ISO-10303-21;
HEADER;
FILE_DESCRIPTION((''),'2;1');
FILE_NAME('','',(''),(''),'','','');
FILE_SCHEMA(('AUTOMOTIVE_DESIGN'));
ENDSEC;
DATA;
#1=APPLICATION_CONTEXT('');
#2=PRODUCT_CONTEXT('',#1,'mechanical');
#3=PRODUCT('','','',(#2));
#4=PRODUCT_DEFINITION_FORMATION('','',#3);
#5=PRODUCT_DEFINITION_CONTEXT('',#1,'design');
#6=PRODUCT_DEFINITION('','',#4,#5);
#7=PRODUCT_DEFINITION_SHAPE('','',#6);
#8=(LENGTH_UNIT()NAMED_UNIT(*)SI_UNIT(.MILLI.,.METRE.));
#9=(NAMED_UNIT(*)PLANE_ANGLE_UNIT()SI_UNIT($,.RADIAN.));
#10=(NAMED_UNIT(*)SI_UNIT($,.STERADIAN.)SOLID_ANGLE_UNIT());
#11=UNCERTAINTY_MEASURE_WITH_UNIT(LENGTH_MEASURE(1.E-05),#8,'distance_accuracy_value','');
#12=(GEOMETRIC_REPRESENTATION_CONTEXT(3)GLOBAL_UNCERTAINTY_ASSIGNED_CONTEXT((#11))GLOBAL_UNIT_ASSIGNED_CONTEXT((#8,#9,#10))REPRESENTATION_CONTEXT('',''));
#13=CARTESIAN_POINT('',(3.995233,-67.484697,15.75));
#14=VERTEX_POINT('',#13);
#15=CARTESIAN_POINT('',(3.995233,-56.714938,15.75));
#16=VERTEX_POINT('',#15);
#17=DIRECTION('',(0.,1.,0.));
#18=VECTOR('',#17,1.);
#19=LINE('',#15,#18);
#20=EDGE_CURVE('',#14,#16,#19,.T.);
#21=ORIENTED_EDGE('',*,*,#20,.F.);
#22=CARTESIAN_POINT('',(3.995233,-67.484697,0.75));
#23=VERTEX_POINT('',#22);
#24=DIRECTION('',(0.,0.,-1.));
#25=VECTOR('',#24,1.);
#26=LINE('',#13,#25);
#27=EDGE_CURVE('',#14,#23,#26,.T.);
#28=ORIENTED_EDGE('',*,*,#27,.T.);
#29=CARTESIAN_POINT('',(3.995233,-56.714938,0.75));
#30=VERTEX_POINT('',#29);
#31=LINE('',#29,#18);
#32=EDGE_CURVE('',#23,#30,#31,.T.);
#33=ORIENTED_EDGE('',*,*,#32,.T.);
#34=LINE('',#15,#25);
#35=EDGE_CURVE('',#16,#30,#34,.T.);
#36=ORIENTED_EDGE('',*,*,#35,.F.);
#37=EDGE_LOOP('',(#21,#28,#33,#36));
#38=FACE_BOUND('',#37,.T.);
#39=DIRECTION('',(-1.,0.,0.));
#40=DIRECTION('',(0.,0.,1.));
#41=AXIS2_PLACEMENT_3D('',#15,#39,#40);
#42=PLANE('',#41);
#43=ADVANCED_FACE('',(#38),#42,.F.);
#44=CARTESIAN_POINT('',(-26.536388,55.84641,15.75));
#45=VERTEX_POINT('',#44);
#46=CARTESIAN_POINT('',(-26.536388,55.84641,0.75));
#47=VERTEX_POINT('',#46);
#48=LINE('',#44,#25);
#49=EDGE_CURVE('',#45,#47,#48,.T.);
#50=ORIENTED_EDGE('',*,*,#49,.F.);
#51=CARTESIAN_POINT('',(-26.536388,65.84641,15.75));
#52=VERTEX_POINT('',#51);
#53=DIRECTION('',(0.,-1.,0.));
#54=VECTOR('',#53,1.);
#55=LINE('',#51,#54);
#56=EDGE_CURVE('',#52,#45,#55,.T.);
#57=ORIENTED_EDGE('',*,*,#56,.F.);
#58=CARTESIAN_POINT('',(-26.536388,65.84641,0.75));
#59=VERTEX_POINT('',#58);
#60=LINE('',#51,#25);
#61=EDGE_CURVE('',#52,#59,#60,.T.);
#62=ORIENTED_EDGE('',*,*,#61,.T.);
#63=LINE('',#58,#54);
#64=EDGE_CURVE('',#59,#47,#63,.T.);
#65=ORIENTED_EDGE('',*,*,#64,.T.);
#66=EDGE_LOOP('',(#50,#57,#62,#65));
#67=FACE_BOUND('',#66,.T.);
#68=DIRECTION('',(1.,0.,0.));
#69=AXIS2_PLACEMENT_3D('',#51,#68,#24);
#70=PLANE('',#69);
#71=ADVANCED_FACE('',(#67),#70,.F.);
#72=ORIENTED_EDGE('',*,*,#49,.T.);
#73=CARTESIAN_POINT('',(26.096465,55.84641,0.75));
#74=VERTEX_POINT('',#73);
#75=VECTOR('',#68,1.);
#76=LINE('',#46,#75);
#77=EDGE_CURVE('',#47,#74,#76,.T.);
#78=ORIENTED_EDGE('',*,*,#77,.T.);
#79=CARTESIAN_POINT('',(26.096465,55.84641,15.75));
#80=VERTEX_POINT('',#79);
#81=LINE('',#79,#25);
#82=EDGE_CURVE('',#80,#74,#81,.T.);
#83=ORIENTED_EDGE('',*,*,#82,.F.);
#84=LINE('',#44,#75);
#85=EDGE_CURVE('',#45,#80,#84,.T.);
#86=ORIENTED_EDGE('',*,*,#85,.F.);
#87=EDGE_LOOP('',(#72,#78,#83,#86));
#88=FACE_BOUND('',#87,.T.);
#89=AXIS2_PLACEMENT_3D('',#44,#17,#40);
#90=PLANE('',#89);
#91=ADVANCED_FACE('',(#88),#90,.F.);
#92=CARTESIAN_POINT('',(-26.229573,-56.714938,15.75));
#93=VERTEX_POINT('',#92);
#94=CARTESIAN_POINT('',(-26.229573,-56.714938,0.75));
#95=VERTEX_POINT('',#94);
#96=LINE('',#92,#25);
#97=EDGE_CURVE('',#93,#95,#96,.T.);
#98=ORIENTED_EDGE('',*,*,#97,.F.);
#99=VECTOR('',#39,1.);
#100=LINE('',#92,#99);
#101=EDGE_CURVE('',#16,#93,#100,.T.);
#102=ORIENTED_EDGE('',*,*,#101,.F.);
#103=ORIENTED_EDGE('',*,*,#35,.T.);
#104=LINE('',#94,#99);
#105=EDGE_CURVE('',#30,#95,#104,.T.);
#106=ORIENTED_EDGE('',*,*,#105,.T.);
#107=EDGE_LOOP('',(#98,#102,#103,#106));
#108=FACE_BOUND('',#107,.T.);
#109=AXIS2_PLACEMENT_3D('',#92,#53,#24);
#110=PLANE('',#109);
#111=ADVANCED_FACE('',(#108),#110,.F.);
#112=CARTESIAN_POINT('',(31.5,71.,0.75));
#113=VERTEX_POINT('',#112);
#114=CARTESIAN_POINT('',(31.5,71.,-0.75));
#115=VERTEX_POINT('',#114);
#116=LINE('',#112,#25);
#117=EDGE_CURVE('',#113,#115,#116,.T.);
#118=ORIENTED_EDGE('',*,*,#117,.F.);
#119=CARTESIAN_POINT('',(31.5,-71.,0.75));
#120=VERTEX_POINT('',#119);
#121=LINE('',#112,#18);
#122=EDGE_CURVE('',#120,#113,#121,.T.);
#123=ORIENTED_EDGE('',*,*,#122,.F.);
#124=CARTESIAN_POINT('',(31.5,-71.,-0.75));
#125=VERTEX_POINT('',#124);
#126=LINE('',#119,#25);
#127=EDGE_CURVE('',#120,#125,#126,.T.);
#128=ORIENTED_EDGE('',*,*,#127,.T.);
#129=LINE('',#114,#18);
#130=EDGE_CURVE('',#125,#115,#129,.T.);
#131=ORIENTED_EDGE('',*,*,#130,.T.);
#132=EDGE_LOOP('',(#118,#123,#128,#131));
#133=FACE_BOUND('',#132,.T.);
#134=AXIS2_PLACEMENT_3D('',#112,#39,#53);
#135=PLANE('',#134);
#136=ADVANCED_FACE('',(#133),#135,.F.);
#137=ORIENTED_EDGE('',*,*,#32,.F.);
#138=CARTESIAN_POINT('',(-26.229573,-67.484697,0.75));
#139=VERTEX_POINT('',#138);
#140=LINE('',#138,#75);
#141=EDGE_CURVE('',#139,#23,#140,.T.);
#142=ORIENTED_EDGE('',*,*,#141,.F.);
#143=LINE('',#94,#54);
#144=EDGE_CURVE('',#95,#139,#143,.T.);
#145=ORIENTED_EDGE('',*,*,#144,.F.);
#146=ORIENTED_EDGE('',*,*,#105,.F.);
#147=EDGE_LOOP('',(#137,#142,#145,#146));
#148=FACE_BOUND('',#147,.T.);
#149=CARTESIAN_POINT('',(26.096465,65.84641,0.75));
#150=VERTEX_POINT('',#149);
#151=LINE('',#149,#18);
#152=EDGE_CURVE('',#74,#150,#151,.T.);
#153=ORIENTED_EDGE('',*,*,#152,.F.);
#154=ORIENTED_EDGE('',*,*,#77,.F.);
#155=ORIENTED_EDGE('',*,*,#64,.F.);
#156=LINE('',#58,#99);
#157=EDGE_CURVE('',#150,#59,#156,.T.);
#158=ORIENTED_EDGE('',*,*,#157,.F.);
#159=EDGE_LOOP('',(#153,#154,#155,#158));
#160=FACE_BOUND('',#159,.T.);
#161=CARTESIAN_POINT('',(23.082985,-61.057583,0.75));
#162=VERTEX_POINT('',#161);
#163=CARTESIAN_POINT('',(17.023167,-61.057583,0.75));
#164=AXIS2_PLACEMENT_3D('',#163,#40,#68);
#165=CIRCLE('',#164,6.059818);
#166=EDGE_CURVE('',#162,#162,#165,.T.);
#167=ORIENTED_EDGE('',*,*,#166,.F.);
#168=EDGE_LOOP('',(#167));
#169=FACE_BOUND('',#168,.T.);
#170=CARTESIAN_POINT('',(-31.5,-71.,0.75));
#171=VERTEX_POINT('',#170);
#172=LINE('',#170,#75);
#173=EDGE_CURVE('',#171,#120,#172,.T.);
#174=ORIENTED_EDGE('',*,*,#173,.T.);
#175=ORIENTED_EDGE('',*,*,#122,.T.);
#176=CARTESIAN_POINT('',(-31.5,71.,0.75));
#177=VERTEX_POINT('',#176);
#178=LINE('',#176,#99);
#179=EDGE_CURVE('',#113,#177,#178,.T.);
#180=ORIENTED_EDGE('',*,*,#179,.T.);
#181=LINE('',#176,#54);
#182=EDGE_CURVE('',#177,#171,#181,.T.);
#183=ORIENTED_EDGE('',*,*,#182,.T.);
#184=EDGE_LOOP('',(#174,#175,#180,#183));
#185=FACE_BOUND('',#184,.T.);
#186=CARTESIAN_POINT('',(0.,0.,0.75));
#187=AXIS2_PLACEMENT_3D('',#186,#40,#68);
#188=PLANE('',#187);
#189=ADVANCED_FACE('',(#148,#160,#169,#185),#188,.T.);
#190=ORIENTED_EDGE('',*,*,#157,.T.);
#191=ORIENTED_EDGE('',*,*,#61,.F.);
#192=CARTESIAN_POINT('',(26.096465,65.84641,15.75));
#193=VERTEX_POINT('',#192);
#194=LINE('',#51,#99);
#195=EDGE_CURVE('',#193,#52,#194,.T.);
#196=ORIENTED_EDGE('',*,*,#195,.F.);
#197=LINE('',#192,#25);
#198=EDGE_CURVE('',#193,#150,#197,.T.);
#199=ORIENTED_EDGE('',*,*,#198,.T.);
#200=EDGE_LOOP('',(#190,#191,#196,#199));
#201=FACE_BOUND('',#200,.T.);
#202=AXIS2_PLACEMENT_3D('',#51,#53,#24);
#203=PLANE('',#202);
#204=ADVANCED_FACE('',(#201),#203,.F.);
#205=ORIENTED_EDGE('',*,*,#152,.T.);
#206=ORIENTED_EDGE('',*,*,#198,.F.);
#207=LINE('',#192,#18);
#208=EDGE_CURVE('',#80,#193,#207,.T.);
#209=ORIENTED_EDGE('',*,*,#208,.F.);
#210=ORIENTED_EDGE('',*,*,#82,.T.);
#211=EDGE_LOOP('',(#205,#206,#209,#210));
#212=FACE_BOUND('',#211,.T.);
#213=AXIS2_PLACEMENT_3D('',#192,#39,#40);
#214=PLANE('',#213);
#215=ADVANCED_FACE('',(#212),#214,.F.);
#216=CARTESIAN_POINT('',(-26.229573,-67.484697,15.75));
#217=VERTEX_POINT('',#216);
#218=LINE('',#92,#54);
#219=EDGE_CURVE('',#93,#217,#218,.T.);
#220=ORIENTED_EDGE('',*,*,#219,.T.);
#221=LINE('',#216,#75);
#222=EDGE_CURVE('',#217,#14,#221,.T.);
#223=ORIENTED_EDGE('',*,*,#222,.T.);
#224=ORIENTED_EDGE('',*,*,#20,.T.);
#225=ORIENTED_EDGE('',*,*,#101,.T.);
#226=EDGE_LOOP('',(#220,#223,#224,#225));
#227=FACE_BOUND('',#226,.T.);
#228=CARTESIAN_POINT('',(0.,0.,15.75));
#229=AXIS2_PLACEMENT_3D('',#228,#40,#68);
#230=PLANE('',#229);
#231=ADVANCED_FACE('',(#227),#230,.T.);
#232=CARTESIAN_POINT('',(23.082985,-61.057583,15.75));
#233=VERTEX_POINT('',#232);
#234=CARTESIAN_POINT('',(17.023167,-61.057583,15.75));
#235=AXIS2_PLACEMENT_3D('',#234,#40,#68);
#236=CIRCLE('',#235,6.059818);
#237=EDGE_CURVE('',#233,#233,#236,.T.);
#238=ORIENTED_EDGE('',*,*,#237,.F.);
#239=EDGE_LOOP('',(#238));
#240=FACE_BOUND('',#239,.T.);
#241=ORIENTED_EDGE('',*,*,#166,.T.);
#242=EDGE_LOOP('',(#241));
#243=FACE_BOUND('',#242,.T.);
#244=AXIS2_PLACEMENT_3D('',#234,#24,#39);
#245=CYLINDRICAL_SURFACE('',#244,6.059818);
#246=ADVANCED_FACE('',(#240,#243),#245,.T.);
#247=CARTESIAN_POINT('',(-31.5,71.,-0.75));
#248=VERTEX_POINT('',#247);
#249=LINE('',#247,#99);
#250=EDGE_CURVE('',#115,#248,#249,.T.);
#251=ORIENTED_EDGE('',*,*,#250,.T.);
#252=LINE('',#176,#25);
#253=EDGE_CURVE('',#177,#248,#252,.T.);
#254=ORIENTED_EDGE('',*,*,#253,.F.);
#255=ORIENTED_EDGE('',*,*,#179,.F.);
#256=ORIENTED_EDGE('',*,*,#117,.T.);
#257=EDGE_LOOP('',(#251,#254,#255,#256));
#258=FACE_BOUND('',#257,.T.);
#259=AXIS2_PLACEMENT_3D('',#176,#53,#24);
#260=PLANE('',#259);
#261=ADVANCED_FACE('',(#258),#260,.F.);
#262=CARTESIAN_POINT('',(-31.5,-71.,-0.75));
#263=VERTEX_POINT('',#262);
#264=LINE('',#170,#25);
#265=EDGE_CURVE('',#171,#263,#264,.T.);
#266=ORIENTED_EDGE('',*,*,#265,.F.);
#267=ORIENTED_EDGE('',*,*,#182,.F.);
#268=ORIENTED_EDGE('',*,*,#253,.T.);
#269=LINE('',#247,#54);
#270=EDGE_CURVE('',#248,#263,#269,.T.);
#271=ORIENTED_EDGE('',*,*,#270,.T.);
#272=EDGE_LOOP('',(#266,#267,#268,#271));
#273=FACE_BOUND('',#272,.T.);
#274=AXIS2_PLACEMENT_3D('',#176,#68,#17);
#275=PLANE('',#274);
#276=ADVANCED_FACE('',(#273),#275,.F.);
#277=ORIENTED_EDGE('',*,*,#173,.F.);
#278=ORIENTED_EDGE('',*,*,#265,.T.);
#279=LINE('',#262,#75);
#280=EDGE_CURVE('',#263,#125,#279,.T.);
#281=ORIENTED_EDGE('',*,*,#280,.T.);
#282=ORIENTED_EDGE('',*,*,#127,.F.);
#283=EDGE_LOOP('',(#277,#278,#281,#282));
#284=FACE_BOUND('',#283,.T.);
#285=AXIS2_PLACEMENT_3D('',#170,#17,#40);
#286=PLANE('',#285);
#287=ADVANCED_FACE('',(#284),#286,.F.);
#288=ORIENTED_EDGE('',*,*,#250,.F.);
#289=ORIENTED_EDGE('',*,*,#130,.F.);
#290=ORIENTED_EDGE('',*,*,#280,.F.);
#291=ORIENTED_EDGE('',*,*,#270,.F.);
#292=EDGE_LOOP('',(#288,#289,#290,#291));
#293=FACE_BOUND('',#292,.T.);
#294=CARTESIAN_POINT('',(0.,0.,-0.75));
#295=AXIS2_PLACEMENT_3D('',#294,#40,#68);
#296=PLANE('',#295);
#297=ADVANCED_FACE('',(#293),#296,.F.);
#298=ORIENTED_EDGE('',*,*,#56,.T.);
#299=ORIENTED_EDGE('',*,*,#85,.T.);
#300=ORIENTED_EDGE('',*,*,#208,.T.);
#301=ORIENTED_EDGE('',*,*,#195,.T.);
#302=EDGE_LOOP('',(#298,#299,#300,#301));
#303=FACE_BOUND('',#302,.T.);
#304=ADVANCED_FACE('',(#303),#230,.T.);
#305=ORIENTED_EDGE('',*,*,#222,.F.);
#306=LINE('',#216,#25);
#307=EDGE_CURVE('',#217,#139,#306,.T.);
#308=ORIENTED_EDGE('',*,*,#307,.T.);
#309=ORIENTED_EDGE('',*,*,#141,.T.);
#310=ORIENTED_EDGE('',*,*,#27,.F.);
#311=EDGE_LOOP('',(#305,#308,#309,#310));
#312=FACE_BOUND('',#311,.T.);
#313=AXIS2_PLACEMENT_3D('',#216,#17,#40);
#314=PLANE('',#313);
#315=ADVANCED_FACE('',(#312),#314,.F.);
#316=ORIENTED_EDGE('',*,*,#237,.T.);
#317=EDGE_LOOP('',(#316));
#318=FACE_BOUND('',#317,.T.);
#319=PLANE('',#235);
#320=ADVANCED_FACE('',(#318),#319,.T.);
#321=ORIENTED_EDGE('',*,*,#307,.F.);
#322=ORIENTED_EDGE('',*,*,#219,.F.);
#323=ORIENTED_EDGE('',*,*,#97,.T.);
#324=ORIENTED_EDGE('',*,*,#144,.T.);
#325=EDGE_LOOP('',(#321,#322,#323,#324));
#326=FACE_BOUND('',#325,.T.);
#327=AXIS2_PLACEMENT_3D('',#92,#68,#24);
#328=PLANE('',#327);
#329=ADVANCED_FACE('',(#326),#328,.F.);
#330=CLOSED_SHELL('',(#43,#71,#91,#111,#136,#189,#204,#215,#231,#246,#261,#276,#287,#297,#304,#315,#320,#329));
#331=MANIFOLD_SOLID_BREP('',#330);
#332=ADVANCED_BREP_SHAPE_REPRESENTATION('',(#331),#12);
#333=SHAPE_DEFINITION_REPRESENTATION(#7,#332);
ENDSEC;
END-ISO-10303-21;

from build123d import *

# Parameters (mm, degrees)
SKETCH1_W           = 63
SKETCH1_H           = 142
BOSS_EXTRUDE1_DEPTH = 0.75
SKETCH2_W           = 52.632852527
SKETCH2_H           = 10
BOSS_EXTRUDE2_DEPTH = 15
SKETCH3_R           = 6.05981783
SKETCH3_W           = 30.224806401
SKETCH3_H           = 10.769758603
BOSS_EXTRUDE3_DEPTH = 15


with BuildPart() as part:
    # Sketch1 → Boss-Extrude1 (new, symmetric)
    with BuildSketch(Plane.XY):
        Rectangle(SKETCH1_W, SKETCH1_H)
    extrude(amount=BOSS_EXTRUDE1_DEPTH, both=True)

    # Sketch2 → Boss-Extrude2 (add)
    with BuildSketch(Plane.XY.offset(0.75)):
        with Locations((-0.219961356, 60.846409529)):
            Rectangle(SKETCH2_W, SKETCH2_H)
    extrude(amount=BOSS_EXTRUDE2_DEPTH)

    # Sketch3 → Boss-Extrude3 (add)
    with BuildSketch(Plane.XY.offset(0.75)):
        with Locations((17.023166824, -61.057583047)):
            Circle(SKETCH3_R)
        with Locations((-11.11717017, -62.099817751)):
            Rectangle(SKETCH3_W, SKETCH3_H)
    extrude(amount=BOSS_EXTRUDE3_DEPTH)


solid = part.part
